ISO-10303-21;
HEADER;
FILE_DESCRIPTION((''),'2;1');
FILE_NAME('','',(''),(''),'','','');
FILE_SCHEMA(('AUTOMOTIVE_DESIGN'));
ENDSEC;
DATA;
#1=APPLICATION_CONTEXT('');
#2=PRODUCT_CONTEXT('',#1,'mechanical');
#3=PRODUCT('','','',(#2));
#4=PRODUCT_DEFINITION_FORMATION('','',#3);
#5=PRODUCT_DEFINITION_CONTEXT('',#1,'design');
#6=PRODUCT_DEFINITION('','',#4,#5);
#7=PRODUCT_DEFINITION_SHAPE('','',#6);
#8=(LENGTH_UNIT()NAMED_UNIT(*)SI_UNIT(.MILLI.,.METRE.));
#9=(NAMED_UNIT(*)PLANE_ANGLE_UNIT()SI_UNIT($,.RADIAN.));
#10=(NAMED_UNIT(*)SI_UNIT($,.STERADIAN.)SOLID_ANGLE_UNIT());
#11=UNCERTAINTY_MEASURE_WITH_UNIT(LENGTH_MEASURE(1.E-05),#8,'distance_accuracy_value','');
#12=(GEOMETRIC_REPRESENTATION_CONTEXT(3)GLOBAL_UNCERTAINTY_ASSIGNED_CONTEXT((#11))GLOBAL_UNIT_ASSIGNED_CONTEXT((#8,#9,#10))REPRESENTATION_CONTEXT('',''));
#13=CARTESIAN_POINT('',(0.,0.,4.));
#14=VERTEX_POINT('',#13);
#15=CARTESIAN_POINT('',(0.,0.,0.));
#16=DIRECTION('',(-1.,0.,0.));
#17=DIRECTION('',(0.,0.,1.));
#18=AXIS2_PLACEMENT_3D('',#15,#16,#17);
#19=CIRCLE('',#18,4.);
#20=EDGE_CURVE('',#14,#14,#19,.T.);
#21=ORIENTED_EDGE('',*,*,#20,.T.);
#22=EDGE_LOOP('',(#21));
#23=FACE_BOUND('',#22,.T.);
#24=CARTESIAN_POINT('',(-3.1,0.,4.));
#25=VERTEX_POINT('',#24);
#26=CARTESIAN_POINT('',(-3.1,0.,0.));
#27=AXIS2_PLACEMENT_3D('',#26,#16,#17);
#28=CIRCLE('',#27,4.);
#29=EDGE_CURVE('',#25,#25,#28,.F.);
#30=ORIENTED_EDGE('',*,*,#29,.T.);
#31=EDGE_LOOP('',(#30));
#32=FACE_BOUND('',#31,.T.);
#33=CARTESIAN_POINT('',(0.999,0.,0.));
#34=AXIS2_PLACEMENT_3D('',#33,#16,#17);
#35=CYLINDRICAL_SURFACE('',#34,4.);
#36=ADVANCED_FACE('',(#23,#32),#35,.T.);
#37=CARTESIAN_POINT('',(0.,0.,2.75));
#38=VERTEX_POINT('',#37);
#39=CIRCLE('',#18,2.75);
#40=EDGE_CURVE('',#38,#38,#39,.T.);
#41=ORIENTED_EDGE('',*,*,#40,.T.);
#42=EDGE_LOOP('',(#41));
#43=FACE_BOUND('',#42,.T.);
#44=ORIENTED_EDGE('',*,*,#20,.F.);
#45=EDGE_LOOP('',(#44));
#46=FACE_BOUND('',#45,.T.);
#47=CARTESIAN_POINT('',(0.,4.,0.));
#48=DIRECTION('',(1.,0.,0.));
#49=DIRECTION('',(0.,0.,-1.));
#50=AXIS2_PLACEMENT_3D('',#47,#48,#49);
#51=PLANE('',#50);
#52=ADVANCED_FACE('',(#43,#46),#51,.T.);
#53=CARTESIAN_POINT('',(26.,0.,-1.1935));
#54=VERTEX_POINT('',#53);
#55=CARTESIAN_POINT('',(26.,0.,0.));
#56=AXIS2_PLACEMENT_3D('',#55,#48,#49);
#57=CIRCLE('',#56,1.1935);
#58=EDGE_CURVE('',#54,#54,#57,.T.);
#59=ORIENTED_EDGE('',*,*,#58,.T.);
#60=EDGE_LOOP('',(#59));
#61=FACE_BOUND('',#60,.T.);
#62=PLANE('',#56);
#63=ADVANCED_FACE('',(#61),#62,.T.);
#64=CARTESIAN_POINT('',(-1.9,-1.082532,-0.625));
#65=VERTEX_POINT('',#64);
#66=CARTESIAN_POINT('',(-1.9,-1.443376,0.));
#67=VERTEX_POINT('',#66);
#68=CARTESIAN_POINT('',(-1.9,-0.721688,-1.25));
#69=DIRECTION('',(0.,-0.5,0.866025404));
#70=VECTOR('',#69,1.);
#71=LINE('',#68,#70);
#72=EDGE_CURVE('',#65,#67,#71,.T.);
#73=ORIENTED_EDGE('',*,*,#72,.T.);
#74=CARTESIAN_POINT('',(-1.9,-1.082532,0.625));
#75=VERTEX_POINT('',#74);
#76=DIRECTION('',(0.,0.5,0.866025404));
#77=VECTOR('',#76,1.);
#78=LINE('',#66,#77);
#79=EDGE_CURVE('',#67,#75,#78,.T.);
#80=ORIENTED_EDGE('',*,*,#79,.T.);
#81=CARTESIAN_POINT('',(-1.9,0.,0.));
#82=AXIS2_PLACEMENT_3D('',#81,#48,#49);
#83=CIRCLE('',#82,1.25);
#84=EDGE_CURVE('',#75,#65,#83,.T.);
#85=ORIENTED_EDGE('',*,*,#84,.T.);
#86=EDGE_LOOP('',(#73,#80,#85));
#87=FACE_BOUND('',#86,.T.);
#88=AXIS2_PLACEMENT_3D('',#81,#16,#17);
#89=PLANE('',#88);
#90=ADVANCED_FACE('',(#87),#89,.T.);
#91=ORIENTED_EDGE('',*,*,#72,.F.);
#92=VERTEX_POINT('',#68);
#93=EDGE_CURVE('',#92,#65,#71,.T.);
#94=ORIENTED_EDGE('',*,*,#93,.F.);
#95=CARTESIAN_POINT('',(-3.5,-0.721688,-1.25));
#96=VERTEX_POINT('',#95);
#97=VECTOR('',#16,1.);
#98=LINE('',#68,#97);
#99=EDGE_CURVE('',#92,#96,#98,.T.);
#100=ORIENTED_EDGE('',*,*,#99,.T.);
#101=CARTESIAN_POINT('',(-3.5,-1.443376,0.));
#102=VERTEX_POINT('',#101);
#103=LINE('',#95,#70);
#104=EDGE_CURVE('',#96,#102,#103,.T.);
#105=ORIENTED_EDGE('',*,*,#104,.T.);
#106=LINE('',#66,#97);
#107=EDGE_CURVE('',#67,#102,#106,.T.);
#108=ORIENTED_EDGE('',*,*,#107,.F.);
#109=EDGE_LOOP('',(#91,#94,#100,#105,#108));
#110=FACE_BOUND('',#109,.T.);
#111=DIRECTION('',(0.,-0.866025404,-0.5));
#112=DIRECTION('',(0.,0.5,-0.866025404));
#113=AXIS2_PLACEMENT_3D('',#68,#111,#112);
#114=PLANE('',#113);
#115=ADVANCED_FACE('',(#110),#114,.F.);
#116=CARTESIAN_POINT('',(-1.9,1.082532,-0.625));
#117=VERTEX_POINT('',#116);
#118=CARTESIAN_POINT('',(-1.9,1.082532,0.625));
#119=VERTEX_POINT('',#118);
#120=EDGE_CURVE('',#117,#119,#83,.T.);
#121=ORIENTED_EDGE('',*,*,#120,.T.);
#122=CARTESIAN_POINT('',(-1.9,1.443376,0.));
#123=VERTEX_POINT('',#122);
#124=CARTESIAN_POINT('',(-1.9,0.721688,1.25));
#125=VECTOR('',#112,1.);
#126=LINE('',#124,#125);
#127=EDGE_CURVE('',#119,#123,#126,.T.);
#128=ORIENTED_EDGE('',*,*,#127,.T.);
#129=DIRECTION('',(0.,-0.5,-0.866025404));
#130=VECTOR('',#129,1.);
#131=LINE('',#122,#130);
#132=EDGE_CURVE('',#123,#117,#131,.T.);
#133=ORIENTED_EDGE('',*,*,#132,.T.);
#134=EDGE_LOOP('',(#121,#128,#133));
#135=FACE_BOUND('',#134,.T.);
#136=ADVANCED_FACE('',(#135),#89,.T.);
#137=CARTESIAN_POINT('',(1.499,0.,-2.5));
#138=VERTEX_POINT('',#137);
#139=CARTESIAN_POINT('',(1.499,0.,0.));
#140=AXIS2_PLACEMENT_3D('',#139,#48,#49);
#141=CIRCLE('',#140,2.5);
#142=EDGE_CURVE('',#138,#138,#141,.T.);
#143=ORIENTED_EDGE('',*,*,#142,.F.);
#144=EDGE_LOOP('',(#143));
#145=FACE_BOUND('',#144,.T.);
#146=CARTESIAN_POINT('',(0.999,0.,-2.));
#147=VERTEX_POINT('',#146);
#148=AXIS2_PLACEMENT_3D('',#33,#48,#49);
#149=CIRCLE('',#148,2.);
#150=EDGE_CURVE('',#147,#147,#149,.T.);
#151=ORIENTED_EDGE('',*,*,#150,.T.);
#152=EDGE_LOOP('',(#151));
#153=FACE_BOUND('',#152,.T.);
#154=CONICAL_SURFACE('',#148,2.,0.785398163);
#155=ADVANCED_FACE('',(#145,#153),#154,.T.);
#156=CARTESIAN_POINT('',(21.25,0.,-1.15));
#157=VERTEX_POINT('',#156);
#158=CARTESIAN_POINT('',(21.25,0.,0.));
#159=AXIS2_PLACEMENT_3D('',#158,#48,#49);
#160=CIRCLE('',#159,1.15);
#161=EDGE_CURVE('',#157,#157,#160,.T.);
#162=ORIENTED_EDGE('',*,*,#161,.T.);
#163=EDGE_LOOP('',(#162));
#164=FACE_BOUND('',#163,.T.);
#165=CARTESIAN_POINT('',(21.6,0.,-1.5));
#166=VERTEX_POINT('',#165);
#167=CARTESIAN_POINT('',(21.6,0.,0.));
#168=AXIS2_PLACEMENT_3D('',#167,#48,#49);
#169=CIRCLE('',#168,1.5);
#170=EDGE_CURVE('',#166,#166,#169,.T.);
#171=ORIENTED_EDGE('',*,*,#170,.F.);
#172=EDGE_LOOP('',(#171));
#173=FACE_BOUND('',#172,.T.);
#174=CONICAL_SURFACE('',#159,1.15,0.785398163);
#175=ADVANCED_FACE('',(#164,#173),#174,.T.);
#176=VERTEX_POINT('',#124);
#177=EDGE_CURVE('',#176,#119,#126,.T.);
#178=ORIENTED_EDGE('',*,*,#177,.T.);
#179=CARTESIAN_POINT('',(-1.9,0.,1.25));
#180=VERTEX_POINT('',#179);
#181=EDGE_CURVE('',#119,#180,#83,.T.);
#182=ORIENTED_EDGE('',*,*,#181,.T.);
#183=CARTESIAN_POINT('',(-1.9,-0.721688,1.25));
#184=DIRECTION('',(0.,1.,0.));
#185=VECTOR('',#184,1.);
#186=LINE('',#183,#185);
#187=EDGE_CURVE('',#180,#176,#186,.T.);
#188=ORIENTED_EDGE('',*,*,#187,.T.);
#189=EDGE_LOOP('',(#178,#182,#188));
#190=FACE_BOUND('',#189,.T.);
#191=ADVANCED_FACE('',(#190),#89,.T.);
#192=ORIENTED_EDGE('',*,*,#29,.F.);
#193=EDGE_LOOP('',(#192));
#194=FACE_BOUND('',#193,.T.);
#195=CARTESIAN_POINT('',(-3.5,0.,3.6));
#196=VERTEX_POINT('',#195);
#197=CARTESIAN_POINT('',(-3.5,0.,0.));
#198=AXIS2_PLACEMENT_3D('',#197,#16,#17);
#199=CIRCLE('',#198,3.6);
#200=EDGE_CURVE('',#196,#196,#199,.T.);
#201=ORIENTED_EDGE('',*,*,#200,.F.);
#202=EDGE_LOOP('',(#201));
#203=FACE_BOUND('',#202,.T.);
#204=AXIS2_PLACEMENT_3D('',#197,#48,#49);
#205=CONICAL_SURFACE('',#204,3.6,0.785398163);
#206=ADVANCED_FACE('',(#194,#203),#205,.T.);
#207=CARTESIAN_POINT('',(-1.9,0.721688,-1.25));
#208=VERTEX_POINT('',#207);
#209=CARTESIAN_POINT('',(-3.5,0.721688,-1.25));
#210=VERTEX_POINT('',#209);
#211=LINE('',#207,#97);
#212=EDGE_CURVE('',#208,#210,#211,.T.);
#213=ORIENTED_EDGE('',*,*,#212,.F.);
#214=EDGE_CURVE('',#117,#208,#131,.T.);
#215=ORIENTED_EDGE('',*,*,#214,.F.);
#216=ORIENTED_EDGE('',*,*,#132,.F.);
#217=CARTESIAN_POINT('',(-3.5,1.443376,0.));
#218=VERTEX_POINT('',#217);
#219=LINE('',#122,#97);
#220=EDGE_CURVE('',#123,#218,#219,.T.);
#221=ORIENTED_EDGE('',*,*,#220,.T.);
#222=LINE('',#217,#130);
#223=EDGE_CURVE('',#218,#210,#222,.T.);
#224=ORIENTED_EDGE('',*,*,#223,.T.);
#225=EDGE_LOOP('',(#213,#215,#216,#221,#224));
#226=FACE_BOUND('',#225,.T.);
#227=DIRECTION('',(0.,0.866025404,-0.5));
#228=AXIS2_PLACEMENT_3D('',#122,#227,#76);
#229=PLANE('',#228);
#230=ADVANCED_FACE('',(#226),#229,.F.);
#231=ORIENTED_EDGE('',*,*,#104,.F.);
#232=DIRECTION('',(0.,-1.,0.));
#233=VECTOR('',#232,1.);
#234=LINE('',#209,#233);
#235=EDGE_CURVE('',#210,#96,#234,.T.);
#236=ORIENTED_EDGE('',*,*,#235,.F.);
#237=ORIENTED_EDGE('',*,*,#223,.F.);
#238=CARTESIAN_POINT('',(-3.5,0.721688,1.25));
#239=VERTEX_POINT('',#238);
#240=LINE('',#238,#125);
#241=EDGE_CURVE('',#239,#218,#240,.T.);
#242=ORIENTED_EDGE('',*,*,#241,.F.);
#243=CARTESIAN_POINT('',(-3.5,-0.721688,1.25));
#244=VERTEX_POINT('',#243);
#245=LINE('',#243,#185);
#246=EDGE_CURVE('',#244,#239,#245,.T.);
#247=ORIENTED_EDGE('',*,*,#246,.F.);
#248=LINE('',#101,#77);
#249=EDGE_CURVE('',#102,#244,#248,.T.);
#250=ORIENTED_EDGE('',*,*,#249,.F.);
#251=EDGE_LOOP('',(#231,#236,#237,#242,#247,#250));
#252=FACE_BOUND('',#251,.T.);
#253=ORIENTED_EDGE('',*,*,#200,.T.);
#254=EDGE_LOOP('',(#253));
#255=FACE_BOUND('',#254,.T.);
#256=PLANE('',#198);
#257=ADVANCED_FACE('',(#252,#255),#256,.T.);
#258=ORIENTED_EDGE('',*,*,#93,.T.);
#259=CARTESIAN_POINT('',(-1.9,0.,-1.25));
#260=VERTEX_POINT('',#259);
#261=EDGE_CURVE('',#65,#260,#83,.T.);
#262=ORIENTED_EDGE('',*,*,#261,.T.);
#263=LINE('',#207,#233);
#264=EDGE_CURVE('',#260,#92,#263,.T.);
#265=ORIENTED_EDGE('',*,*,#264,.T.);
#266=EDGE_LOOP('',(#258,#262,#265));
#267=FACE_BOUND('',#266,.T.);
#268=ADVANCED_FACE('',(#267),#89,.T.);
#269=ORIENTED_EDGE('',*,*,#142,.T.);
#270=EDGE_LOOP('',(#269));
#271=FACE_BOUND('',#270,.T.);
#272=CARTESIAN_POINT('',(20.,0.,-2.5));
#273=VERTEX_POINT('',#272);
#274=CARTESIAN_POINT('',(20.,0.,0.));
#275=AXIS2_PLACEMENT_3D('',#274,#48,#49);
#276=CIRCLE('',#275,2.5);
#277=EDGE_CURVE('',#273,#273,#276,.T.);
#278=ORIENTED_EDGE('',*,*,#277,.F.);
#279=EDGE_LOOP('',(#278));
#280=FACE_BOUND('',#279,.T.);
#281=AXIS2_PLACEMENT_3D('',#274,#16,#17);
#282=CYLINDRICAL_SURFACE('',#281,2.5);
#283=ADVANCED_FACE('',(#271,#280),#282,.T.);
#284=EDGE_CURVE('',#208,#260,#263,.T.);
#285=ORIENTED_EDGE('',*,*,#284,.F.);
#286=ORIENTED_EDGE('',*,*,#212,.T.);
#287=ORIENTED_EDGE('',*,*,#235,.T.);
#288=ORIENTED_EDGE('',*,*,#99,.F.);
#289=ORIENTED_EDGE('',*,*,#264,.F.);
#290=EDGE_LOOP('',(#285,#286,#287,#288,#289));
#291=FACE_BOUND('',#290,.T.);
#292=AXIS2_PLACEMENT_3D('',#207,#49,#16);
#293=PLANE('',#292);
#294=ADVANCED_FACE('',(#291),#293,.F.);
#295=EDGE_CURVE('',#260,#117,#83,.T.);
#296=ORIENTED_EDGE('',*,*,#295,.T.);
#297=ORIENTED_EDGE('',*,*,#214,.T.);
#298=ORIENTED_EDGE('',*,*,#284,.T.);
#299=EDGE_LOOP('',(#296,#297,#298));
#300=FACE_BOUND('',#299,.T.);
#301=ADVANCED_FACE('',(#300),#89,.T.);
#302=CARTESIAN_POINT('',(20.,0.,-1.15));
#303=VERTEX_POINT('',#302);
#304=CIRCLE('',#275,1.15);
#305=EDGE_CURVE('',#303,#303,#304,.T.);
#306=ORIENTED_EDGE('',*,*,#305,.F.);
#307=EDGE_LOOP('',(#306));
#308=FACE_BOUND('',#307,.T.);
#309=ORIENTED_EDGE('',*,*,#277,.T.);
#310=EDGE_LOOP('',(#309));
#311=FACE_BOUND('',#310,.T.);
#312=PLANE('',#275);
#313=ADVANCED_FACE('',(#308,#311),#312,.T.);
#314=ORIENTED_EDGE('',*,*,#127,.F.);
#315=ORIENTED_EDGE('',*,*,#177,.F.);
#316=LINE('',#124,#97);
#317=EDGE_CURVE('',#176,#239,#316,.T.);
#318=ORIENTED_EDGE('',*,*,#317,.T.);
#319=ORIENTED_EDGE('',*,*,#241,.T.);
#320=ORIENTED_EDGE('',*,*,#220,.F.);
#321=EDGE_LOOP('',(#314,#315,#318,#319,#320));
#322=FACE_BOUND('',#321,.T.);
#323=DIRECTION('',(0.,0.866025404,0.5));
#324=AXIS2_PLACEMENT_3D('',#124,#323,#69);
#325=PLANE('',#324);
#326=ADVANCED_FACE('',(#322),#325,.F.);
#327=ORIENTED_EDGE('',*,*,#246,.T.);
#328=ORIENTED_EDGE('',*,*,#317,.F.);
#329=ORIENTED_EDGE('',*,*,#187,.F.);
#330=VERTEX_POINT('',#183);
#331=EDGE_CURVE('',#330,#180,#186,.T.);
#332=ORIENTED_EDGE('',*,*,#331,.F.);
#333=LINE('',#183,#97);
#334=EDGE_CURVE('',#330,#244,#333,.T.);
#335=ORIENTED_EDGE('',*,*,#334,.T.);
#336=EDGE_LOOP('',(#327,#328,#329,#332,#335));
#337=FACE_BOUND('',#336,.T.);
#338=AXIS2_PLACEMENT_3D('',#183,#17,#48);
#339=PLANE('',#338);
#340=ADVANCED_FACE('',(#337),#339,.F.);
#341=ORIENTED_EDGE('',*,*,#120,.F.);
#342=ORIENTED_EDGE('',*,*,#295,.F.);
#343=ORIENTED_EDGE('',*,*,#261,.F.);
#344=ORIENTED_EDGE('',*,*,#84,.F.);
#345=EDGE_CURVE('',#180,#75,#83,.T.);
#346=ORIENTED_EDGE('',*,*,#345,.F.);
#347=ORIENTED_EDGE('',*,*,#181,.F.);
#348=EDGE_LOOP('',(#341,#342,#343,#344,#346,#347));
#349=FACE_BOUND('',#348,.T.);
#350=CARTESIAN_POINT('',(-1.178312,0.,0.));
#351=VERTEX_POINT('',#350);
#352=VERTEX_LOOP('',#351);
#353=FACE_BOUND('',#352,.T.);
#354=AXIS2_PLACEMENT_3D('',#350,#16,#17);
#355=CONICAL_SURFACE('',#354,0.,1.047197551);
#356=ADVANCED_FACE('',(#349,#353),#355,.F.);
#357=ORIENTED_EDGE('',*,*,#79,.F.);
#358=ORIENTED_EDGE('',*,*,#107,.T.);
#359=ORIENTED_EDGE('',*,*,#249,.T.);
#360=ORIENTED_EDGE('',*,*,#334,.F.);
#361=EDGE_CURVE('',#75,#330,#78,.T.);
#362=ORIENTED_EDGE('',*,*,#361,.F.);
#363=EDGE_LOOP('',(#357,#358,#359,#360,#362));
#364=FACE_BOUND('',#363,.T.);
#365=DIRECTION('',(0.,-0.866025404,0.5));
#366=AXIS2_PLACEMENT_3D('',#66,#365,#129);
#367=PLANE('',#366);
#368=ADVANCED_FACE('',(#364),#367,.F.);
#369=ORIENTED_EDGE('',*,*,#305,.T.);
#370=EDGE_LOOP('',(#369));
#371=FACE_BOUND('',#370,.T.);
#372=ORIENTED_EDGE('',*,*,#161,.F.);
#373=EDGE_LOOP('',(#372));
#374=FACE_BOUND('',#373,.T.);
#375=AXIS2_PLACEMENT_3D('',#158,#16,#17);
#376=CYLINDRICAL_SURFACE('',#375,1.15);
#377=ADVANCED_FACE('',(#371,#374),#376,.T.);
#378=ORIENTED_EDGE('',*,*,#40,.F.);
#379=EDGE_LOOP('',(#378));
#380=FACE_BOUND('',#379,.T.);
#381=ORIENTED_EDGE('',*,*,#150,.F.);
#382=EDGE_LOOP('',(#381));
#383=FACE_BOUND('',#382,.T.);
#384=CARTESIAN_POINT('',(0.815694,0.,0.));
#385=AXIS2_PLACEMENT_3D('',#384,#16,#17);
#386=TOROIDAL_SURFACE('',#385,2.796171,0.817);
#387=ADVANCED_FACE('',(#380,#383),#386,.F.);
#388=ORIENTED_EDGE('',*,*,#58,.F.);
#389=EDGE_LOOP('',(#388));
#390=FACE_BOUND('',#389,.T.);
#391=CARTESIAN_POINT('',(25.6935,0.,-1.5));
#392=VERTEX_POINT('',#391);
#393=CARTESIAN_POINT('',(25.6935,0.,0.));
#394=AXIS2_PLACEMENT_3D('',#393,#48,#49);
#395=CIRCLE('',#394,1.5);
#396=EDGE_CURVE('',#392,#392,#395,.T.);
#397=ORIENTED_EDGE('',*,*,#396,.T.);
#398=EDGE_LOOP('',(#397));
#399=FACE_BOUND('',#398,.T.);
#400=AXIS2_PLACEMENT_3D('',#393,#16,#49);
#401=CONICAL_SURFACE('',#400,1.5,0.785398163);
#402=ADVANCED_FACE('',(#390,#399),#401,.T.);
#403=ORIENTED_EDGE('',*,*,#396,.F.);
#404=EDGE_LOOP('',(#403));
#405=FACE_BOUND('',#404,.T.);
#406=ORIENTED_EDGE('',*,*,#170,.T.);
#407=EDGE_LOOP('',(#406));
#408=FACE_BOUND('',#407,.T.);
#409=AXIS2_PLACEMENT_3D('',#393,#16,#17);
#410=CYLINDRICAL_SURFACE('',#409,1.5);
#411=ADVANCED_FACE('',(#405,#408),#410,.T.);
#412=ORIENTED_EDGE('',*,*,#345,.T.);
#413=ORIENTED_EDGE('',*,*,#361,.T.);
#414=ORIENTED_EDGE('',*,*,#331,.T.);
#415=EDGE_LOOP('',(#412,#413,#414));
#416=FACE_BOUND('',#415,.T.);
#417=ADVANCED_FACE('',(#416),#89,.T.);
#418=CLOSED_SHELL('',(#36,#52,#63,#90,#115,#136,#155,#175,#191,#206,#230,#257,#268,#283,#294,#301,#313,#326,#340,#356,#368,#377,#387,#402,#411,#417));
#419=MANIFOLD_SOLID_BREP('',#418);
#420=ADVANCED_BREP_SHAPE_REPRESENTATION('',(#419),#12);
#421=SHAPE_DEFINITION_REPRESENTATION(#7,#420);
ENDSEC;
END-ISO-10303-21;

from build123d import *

# Parameters (mm, degrees)
SKETCH2_R           = 2
BOSS_EXTRUDE1_DEPTH = 0.5
BOSS_EXTRUDE1_TAPER = -45
SKETCH3_R           = 2.5
BOSS_EXTRUDE2_DEPTH = 18.501
SKETCH4_R           = 1.15
BOSS_EXTRUDE3_DEPTH = 1.25
SKETCH5_R           = 1.15
BOSS_EXTRUDE4_DEPTH = 0.35
BOSS_EXTRUDE4_TAPER = -44.999999995
SKETCH6_R           = 1.5
BOSS_EXTRUDE5_DEPTH = 4.0935
SKETCH7_R           = 1.5
BOSS_EXTRUDE6_DEPTH = 0.3065
BOSS_EXTRUDE6_TAPER = 45
CUT_EXTRUDE1_DEPTH  = 1.6
CHAMFER1_SIZE       = 0.4


with BuildPart() as part:
    # Sketch1 → Revolve1 (revolve)
    with BuildSketch(Plane(origin=(0, 0, 0), x_dir=(-1, 0, 0), z_dir=(0, 0, -1))):
        with BuildLine():
            Line((-0.999, 2), (-0.999, 0))
            Line((-0.999, 0), (3.5, 0))
            Line((3.5, 0), (3.5, 4))
            Line((3.5, 4), (0, 4))
            Line((0, 4), (0, 2.75))
            ThreePointArc((0, 2.75), (-0.325180465, 2.142806379), (-0.999, 2))
        make_face()
    revolve(axis=Axis((0.999, 0, 0), (-1, 0, 0)))

    # Sketch2 → Boss-Extrude1 (add)
    with BuildSketch(Plane(origin=(0.999, 0, 0), x_dir=(0, 0, -1), z_dir=(1, 0, 0))):
        Circle(SKETCH2_R)
    extrude(amount=BOSS_EXTRUDE1_DEPTH, taper=BOSS_EXTRUDE1_TAPER)

    # Sketch3 → Boss-Extrude2 (add)
    with BuildSketch(Plane(origin=(1.499, 0, 0), x_dir=(0, 0, -1), z_dir=(1, 0, 0))):
        Circle(SKETCH3_R)
    extrude(amount=BOSS_EXTRUDE2_DEPTH)

    # Sketch4 → Boss-Extrude3 (add)
    with BuildSketch(Plane(origin=(20, 0, 0), x_dir=(0, 0, -1), z_dir=(1, 0, 0))):
        Circle(SKETCH4_R)
    extrude(amount=BOSS_EXTRUDE3_DEPTH)

    # Sketch5 → Boss-Extrude4 (add)
    with BuildSketch(Plane(origin=(21.25, 0, 0), x_dir=(0, 0, -1), z_dir=(1, 0, 0))):
        Circle(SKETCH5_R)
    extrude(amount=BOSS_EXTRUDE4_DEPTH, taper=BOSS_EXTRUDE4_TAPER)

    # Sketch6 → Boss-Extrude5 (add)
    with BuildSketch(Plane(origin=(21.6, 0, 0), x_dir=(0, 0, -1), z_dir=(1, 0, 0))):
        Circle(SKETCH6_R)
    extrude(amount=BOSS_EXTRUDE5_DEPTH)

    # Sketch7 → Boss-Extrude6 (add)
    with BuildSketch(Plane(origin=(25.6935, 0, 0), x_dir=(0, 0, -1), z_dir=(1, 0, 0))):
        Circle(SKETCH7_R)
    extrude(amount=BOSS_EXTRUDE6_DEPTH, taper=BOSS_EXTRUDE6_TAPER)

    # Sketch8 → Cut-Extrude1 (cut)
    with BuildSketch(Plane.ZY.offset(3.5)):
        Polygon((0, 1.443375673), (-1.25, 0.721687836), (-1.25, -0.721687836), (0, -1.443375673), (1.25, -0.721687836), (1.25, 0.721687836), align=None)
    extrude(amount=-CUT_EXTRUDE1_DEPTH, mode=Mode.SUBTRACT)

    # Sketch9 → Cut-Revolve1 (revolve, cut)
    with BuildSketch(Plane.XY):
        Polygon((-1.9, 1.25), (-1.9, 0), (-1.178312164, 0), align=None)
    revolve(axis=Axis((-1.9, 0, 0), (1, 0, 0)), mode=Mode.SUBTRACT)

    # Chamfer1
    chamfer1_edges = [part.edges().sort_by_distance(p)[0] for p in [
        (-3.5, -4, 0),
    ]]
    chamfer(chamfer1_edges, length=CHAMFER1_SIZE)


solid = part.part
